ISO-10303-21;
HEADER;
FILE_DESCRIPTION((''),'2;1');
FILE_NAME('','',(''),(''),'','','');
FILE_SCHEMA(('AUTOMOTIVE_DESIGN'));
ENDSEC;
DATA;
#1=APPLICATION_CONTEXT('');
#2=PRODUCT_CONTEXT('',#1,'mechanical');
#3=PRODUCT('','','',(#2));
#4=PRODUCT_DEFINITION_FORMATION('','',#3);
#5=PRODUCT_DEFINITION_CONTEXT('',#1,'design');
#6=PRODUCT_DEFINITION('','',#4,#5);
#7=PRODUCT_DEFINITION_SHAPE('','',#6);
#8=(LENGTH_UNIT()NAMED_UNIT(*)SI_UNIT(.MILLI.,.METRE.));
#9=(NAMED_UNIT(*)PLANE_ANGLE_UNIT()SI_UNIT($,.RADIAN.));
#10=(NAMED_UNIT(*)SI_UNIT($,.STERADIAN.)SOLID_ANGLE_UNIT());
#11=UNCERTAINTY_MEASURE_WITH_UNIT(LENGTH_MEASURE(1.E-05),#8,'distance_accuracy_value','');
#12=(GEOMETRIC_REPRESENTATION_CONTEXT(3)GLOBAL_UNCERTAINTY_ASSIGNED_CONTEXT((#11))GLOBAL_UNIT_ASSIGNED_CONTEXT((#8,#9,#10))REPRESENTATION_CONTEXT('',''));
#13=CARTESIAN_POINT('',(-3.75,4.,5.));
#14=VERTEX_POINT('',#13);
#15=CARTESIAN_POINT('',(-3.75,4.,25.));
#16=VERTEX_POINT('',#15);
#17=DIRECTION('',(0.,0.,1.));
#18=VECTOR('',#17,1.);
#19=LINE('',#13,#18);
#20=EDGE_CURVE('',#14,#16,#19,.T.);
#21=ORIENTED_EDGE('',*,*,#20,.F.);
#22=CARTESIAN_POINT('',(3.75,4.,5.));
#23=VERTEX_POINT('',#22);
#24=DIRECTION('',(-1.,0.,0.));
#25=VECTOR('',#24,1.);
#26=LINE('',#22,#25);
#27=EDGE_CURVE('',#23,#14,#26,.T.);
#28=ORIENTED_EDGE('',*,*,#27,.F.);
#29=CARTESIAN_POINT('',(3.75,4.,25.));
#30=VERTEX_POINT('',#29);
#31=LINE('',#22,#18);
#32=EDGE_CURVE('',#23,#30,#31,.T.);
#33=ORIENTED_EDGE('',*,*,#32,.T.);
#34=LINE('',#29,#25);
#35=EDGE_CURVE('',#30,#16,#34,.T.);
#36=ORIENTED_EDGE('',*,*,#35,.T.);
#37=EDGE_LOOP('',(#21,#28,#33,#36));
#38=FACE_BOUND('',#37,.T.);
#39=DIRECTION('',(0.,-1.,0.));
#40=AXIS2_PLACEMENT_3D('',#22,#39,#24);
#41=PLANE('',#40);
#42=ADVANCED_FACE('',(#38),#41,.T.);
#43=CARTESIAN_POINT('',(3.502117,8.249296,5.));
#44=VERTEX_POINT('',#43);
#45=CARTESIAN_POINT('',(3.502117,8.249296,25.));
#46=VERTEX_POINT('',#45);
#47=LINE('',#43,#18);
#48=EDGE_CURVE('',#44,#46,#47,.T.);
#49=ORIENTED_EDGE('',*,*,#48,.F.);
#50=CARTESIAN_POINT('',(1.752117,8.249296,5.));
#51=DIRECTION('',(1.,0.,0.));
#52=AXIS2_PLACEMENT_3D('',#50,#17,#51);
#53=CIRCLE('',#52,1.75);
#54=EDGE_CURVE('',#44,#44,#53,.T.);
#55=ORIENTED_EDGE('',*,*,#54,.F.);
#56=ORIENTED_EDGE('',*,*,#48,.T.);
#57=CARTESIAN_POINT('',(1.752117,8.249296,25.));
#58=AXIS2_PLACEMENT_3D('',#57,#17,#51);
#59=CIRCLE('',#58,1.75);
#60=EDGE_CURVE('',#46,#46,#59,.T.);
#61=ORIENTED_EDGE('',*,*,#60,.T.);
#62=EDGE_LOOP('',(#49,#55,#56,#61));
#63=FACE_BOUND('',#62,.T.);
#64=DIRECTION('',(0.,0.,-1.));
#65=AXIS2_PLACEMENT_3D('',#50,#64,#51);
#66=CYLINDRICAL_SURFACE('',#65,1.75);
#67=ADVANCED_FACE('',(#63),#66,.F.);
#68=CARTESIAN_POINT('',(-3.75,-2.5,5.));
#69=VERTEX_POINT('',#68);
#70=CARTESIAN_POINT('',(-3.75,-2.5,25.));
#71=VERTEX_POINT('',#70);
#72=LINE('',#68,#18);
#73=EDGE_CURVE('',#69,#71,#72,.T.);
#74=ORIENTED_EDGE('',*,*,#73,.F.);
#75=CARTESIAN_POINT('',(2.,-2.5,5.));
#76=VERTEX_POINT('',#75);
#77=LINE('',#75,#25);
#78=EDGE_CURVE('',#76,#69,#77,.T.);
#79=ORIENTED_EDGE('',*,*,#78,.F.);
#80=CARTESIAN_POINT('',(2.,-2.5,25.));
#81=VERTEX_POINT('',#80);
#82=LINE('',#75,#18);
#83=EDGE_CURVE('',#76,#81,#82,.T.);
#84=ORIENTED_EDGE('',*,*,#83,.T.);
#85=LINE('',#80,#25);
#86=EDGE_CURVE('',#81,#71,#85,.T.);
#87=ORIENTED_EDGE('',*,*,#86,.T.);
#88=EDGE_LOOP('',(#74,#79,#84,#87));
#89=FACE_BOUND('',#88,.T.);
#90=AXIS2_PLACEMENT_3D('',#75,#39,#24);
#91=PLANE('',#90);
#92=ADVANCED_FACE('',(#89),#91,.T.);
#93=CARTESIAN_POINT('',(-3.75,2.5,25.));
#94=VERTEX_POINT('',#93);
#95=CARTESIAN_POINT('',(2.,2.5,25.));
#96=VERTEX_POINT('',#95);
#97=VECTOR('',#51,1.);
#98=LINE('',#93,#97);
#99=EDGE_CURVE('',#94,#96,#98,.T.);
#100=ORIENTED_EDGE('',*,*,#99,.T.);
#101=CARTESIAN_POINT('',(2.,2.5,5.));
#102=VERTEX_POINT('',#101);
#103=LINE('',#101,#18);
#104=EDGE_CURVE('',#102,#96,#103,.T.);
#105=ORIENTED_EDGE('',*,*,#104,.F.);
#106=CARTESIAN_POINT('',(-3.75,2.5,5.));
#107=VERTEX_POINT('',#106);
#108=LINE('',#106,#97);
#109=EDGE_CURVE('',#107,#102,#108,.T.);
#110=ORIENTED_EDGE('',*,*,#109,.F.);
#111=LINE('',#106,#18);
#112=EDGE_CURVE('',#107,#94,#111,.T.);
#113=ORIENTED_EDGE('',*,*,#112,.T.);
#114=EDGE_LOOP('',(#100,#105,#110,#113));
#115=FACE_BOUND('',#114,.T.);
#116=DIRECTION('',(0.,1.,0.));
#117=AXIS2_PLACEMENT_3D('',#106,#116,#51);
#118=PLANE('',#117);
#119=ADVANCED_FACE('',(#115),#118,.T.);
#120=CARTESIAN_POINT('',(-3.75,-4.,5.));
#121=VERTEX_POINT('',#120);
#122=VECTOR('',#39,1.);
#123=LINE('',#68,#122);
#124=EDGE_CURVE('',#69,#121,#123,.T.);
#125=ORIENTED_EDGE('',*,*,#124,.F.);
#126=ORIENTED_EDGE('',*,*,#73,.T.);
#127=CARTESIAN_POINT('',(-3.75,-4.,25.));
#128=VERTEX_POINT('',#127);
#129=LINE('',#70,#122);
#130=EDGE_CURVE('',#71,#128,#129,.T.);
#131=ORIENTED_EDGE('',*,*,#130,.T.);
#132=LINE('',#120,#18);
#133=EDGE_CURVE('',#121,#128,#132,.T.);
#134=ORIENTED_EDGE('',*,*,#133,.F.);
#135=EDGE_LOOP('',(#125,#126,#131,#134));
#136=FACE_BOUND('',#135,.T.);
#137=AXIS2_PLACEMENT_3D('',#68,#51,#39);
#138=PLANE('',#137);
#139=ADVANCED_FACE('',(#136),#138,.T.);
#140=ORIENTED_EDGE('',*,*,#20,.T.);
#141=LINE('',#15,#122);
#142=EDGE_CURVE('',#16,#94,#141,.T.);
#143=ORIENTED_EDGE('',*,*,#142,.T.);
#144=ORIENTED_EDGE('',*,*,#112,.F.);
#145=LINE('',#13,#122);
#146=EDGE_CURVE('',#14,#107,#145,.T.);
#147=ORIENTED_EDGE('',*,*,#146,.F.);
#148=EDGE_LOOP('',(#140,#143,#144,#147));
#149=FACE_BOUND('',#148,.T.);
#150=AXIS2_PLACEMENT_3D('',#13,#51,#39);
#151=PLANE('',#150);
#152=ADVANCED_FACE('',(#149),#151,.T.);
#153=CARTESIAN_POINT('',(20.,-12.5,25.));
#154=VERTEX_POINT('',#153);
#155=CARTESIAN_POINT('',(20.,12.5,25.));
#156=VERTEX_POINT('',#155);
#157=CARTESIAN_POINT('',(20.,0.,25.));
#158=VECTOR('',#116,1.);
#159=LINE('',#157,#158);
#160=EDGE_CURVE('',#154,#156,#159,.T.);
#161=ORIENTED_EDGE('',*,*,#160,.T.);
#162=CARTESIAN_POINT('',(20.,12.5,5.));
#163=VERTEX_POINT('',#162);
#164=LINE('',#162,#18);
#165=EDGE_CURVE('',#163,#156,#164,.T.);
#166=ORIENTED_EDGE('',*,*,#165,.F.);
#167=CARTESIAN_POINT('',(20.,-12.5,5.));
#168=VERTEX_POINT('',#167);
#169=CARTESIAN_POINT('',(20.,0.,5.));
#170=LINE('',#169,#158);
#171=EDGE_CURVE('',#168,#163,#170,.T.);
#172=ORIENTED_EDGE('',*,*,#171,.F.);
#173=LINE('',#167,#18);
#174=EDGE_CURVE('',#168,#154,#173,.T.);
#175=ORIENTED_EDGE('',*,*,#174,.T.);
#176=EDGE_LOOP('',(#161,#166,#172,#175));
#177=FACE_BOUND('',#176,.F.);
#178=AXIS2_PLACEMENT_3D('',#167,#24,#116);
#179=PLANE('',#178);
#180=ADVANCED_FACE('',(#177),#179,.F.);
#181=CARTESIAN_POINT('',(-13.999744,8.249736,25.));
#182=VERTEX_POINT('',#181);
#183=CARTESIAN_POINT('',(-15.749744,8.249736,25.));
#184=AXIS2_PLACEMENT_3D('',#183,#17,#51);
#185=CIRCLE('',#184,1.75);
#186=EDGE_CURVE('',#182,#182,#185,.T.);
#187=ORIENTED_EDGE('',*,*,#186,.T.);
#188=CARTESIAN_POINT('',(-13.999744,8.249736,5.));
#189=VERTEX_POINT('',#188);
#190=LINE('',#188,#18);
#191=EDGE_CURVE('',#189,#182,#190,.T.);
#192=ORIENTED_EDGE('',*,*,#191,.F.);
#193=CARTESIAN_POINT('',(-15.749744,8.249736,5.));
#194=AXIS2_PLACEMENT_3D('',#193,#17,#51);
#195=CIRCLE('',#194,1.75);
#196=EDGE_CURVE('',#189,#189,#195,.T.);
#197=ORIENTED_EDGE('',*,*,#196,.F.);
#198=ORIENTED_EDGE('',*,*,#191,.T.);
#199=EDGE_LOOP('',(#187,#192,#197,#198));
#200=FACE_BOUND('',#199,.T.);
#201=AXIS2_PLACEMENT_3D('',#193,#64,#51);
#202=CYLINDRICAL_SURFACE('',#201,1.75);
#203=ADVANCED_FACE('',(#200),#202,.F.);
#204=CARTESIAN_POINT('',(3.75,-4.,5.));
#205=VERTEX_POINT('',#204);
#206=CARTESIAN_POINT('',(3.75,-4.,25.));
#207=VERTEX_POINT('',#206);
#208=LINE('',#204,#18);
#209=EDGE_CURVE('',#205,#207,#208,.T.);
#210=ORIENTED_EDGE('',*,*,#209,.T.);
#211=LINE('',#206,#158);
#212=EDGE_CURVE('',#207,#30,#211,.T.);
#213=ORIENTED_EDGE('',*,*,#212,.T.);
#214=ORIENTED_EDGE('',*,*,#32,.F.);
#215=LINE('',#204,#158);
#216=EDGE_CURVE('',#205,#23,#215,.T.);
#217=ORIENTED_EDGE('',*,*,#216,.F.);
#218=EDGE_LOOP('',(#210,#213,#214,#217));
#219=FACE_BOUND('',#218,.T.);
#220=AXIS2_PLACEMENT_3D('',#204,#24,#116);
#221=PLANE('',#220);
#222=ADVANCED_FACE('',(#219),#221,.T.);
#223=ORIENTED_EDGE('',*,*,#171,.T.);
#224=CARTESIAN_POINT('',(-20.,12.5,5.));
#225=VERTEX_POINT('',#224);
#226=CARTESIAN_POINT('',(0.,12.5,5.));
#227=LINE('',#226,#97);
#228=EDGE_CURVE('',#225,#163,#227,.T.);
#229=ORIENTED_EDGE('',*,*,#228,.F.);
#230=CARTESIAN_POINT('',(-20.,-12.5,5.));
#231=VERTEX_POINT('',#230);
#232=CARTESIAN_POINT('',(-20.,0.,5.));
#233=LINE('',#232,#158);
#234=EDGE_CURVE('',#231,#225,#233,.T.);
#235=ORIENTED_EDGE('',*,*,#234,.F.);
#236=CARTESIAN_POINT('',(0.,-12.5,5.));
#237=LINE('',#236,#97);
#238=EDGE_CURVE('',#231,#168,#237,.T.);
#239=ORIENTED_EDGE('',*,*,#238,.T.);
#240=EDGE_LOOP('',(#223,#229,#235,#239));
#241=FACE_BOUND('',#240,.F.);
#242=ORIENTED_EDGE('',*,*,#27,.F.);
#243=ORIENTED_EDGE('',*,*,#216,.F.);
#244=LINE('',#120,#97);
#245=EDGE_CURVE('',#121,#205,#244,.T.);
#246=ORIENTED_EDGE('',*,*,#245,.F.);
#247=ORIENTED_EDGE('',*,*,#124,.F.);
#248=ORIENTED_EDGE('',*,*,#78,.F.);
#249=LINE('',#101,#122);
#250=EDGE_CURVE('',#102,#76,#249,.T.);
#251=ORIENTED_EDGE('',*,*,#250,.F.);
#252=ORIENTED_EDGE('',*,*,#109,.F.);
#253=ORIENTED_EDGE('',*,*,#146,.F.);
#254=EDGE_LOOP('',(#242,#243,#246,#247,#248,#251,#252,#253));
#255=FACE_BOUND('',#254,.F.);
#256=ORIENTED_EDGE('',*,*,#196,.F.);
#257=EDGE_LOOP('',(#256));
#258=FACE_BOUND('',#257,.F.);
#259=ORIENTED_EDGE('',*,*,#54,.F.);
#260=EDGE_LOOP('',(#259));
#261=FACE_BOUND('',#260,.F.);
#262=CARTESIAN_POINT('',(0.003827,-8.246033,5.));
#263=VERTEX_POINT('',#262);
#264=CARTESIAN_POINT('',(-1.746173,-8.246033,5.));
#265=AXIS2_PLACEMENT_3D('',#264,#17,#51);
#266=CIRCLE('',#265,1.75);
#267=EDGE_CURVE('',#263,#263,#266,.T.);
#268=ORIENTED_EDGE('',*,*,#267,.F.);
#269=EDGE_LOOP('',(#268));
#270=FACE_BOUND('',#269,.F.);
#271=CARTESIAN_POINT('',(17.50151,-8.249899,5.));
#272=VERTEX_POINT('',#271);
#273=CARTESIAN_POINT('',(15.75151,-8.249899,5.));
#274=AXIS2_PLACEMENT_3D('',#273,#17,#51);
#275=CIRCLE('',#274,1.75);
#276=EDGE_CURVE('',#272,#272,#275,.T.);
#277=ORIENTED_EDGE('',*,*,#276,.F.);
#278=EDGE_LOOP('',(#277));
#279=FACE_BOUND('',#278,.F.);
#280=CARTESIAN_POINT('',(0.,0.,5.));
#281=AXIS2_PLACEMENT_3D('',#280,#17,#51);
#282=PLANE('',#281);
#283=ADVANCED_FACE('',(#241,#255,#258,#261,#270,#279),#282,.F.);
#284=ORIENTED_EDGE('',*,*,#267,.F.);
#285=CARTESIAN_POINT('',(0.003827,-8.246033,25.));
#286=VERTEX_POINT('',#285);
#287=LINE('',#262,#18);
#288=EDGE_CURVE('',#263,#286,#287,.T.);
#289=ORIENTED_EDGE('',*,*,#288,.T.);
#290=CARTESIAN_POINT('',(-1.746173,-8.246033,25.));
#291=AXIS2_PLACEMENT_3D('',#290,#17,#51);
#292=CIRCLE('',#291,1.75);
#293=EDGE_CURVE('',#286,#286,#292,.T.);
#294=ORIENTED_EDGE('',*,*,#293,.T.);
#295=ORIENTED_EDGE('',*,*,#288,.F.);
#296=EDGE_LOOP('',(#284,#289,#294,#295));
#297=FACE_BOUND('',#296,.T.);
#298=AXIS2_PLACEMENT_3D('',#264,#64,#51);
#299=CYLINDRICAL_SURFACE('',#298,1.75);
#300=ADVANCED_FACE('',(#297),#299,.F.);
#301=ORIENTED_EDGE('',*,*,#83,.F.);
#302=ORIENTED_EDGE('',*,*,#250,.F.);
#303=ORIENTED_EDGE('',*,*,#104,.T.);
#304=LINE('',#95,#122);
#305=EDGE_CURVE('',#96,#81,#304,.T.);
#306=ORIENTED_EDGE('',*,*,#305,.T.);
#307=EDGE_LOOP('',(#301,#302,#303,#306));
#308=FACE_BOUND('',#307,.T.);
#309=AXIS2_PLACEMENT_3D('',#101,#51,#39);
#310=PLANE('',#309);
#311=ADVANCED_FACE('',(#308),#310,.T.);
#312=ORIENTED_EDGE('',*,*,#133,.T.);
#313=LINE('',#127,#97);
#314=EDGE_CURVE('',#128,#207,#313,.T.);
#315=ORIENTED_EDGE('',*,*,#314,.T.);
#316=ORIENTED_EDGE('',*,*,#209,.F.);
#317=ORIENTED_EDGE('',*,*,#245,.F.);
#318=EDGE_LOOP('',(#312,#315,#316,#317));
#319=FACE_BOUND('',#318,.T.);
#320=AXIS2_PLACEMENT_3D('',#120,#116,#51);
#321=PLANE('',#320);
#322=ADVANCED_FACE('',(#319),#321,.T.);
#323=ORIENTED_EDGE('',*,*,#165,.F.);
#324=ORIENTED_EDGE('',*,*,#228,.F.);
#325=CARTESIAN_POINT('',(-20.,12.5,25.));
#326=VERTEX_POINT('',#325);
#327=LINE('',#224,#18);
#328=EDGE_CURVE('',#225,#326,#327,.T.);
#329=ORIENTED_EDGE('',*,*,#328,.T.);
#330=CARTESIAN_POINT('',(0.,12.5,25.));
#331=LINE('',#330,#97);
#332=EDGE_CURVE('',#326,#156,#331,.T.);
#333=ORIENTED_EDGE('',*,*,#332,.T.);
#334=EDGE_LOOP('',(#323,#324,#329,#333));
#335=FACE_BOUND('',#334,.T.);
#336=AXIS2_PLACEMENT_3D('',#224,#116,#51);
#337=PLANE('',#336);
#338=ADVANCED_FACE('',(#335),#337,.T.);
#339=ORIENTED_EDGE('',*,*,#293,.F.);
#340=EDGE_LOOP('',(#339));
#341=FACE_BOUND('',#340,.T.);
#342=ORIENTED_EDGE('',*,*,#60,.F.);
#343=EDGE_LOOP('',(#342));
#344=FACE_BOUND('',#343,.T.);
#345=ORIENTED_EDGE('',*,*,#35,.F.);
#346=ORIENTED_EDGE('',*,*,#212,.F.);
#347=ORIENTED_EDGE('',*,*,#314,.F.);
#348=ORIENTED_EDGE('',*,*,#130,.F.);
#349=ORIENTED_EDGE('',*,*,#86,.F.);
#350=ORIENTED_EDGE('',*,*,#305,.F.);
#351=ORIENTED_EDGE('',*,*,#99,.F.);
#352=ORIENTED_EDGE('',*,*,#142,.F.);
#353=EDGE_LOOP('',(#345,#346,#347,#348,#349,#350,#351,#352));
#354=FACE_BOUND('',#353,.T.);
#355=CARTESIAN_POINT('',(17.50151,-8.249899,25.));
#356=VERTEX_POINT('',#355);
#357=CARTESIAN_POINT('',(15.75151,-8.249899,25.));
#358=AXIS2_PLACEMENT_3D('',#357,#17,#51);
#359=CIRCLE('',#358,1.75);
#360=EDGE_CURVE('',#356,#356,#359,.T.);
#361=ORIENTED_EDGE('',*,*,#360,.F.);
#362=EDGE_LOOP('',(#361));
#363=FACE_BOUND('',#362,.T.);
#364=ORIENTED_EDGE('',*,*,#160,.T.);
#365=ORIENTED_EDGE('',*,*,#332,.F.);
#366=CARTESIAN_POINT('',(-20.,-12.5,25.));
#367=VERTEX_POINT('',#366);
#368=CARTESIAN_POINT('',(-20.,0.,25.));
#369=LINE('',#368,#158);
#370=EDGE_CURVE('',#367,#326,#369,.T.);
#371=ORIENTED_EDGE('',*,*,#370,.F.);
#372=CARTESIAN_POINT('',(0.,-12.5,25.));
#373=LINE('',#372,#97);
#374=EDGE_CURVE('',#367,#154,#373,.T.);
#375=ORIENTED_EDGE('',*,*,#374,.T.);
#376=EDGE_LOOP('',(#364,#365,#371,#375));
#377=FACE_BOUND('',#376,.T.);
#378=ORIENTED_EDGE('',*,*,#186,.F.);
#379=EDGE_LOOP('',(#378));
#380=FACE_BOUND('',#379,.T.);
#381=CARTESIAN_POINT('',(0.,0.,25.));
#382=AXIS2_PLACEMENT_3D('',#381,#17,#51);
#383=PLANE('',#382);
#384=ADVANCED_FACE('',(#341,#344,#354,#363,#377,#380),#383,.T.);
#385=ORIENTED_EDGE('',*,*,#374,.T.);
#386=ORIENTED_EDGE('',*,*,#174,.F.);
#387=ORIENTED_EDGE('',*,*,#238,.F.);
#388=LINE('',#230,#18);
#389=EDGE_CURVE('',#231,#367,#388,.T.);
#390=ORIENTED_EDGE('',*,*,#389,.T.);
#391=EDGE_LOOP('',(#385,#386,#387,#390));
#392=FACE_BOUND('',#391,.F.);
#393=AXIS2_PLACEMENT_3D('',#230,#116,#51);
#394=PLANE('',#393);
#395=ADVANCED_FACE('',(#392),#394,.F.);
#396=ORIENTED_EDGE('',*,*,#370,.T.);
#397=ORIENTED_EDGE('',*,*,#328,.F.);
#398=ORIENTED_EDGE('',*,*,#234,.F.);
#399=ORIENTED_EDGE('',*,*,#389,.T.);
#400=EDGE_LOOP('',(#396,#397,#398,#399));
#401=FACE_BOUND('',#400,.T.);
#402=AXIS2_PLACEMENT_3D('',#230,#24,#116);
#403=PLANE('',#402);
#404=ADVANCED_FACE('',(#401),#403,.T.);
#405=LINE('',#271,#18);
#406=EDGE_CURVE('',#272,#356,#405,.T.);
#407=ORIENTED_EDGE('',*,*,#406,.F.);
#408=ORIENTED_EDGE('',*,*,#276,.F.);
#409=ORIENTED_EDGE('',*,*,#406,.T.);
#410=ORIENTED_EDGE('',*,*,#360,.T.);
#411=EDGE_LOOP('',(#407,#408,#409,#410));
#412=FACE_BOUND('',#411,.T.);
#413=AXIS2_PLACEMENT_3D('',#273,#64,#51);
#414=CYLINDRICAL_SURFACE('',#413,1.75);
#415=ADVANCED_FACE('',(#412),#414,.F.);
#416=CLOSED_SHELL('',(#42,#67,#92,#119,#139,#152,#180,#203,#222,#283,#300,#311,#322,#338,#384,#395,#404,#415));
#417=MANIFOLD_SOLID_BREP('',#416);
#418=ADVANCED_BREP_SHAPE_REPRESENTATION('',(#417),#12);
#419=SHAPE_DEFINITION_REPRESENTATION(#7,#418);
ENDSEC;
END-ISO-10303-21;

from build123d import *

# Parameters (mm, degrees)
SKETCH001_W = 40
SKETCH001_H = 25
SKETCH001_R = 1.75
PAD_DEPTH   = 20


with BuildPart() as part:
    # Sketch001 → Pad (new body)
    with BuildSketch(Plane.XY.offset(5)):
        Rectangle(SKETCH001_W, SKETCH001_H)
        with Locations((-1.746173, -8.246033)):
            Circle(SKETCH001_R, mode=Mode.SUBTRACT)
        with Locations((1.752117, 8.249296)):
            Circle(SKETCH001_R, mode=Mode.SUBTRACT)
        with Locations((15.75151, -8.249899)):
            Circle(SKETCH001_R, mode=Mode.SUBTRACT)
        with Locations((-15.749744, 8.249736)):
            Circle(SKETCH001_R, mode=Mode.SUBTRACT)
        Polygon((3.75, -4), (3.75, 4), (-3.75, 4), (-3.75, 2.5), (2, 2.5), (2, -2.5), (-3.75, -2.5), (-3.75, -4), align=None, mode=Mode.SUBTRACT)
    extrude(amount=PAD_DEPTH)


solid = part.part
